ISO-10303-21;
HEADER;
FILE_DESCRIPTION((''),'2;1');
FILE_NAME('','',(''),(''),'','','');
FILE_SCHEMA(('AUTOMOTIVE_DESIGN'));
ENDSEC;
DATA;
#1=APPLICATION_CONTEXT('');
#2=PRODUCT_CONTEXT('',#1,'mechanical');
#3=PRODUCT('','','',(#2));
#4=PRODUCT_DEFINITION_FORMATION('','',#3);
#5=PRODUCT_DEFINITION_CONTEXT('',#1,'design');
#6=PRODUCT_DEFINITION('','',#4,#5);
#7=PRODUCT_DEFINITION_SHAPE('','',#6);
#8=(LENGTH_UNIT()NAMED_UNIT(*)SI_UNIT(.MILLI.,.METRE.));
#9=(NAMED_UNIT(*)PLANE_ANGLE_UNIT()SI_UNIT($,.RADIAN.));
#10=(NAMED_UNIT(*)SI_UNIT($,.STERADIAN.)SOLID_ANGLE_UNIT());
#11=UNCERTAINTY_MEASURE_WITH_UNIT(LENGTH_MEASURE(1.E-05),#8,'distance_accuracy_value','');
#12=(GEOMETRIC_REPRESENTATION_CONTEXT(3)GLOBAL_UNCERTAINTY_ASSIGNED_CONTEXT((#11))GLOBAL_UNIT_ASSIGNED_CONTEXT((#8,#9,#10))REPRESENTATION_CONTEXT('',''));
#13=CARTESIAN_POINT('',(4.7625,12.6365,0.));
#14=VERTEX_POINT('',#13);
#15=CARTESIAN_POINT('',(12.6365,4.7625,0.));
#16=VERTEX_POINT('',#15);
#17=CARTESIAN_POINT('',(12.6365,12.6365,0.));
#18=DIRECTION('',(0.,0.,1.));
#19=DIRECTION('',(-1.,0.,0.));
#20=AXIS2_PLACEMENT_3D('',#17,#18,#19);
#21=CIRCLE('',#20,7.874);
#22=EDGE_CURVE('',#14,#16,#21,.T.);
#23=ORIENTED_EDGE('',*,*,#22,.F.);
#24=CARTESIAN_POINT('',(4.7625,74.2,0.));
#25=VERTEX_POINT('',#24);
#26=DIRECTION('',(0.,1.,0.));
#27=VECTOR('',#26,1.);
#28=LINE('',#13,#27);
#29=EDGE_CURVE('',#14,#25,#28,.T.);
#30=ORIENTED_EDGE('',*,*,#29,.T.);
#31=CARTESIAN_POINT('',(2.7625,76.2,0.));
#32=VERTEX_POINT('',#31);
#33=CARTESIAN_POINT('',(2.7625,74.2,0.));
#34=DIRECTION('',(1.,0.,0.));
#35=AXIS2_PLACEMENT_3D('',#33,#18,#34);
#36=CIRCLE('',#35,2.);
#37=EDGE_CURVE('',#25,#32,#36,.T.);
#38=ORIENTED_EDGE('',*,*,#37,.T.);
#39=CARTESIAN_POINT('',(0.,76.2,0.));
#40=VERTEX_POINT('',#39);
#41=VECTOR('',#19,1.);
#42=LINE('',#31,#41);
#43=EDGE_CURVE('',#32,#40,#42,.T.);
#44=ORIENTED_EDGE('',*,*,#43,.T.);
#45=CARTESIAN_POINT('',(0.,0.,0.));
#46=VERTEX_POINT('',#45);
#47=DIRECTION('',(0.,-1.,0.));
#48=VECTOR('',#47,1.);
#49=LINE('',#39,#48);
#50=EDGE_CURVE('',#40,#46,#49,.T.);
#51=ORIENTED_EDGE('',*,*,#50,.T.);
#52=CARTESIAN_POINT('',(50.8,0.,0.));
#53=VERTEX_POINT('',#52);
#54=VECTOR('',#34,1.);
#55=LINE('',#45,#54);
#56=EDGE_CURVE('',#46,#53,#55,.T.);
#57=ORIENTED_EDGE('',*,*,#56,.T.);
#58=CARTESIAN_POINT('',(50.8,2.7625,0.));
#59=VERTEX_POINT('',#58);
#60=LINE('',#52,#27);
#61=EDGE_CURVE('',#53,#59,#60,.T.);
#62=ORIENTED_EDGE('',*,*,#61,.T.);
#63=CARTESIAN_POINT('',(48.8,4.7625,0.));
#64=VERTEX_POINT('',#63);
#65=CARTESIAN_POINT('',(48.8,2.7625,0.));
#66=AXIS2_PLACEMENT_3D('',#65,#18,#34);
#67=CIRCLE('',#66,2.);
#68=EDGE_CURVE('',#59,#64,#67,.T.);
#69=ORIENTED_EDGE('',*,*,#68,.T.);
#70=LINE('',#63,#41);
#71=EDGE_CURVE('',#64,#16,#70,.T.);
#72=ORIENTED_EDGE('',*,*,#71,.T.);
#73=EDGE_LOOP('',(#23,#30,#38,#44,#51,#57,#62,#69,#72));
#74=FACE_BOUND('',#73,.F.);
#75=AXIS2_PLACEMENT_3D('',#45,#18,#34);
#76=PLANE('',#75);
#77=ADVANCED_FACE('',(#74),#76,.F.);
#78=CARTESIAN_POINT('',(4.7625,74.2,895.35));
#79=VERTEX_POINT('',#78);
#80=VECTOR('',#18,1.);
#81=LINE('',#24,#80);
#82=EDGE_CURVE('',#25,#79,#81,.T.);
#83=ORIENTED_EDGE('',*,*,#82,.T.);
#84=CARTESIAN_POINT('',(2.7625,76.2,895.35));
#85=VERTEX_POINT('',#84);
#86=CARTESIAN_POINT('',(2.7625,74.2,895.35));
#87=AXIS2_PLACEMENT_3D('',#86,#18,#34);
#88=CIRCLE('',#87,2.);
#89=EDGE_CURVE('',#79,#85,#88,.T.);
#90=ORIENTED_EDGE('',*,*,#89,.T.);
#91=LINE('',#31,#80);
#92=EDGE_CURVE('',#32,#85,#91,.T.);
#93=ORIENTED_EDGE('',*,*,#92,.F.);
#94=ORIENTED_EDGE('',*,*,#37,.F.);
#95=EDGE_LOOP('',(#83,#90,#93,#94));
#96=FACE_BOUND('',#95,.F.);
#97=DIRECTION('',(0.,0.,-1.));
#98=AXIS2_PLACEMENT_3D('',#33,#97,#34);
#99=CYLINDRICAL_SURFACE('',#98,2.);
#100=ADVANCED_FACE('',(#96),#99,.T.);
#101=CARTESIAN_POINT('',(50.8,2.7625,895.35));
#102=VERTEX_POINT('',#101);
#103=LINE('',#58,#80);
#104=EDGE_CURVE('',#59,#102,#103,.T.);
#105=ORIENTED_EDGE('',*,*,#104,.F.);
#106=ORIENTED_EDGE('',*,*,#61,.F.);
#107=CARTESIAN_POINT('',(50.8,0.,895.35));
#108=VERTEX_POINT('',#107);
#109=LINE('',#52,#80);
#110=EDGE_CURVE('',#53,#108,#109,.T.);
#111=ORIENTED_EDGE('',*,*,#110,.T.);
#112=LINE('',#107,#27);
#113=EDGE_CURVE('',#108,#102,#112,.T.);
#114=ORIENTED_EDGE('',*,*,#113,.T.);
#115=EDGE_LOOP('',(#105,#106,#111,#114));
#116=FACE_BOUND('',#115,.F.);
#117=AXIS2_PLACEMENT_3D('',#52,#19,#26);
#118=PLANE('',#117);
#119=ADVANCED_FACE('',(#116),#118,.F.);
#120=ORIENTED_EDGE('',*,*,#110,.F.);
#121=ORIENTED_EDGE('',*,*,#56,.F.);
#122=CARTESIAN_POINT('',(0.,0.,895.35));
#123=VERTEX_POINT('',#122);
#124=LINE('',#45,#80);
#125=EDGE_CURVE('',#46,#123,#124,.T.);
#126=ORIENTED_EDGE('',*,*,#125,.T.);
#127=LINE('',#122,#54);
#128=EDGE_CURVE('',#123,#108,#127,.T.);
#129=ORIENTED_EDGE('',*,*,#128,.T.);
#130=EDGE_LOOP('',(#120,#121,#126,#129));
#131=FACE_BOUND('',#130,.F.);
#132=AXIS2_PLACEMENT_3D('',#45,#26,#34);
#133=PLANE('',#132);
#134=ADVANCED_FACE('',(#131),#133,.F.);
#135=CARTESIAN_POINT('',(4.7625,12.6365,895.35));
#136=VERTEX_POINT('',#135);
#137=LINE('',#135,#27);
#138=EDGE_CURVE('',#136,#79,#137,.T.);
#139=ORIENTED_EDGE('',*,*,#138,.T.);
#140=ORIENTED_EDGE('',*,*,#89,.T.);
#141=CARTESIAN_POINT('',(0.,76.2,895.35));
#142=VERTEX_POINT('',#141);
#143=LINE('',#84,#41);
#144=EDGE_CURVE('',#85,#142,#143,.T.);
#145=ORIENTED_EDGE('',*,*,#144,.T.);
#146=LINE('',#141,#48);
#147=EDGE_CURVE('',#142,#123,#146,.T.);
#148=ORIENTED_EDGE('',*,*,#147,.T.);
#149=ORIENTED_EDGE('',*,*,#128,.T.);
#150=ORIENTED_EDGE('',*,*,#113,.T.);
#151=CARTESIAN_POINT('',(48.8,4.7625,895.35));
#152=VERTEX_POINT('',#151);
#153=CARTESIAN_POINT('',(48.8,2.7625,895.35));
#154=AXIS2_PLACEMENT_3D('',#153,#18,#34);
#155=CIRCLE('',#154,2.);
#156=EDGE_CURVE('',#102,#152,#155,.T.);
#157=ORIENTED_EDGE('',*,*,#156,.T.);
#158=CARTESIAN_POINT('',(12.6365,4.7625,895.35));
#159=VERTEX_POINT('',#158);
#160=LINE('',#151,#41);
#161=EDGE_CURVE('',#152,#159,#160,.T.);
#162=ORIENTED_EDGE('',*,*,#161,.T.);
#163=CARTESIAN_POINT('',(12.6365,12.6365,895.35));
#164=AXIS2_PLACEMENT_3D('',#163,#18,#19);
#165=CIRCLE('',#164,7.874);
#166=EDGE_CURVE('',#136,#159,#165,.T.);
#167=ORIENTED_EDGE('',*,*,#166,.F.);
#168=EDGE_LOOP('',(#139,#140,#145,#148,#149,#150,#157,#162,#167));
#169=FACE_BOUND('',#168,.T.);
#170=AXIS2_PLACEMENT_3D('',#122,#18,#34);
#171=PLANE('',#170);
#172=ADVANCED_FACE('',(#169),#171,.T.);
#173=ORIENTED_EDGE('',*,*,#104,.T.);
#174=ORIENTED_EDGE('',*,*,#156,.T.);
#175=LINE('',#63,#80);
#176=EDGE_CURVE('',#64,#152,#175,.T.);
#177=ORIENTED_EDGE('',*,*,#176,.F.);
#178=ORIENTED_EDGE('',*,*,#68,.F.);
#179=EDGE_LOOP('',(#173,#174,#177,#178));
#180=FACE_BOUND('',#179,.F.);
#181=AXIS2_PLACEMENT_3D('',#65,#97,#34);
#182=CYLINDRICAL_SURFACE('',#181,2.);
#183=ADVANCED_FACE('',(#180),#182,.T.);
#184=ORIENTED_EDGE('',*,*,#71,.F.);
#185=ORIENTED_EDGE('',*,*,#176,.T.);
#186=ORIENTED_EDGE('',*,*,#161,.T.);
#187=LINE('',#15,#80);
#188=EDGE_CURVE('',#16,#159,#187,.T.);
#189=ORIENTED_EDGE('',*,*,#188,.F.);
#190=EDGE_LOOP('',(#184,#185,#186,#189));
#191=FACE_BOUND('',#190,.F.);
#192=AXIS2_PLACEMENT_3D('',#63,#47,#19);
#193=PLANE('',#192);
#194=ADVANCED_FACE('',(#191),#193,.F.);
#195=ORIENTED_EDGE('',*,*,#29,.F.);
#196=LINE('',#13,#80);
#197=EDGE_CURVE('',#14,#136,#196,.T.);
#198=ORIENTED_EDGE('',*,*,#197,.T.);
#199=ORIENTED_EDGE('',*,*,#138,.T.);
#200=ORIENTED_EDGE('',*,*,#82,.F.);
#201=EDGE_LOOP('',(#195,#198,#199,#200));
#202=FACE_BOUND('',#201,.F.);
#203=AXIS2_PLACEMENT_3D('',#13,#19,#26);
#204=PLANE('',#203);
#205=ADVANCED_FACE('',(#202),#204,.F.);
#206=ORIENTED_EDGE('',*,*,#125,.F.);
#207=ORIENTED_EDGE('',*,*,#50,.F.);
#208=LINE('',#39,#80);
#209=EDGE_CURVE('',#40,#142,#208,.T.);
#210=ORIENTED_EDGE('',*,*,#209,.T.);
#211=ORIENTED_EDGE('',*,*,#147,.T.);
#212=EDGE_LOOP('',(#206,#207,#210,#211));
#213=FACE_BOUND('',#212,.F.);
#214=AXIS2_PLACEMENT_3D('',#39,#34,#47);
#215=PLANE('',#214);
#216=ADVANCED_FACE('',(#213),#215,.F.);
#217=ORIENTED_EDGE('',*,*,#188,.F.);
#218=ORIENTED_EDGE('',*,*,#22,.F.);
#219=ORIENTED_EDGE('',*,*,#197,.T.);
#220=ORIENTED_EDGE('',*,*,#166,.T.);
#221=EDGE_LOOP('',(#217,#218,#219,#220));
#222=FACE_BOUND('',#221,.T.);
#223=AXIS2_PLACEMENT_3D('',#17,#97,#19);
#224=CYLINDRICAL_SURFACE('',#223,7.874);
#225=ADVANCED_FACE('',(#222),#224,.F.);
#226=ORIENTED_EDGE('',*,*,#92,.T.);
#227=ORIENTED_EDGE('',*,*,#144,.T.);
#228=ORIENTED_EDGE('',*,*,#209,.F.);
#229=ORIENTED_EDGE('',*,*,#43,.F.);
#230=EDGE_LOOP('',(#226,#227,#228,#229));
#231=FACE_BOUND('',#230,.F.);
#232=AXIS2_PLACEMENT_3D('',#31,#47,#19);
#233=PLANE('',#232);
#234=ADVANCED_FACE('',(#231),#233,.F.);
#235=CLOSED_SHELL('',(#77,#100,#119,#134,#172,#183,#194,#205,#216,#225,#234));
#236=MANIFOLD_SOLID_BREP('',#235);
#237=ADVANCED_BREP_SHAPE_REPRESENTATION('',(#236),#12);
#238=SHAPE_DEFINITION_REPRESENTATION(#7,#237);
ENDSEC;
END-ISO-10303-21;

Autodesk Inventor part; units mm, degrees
ref_plane "Start plane" through (0, 0, 0) normal (0, 0, 1) x (1, 0, 0)
ref_plane "End plane" through (0, 0, 895.35) normal (0, 0, 1) x (1, 0, 0)
sketch "Sketch" plane through (0, 0, 0) normal (0, 0, 1) x (1, 0, 0)
  line L0 (0, 76.2) -> (0, 0)
  line L1 (0, 0) -> (50.8, 0)
  line L2 (50.8, 0) -> (50.8, 2.7625)
  line L3 (48.8, 4.7625) -> (12.6365, 4.7625)
  line L4 (4.7625, 12.6365) -> (4.7625, 74.2)
  line L5 (2.7625, 76.2) -> (0, 76.2)
  line L6 (-7.0414, 0) -> (21.5385, 0) construction
  line L7 (0, -8.0414) -> (0, 34.5385) construction
  arc A0 (4.7625, 12.6365) -> (12.6365, 4.7625) centre (12.6365, 12.6365) ccw
  arc A1 (50.8, 2.7625) -> (48.8, 4.7625) centre (48.8, 2.7625) ccw
  arc A2 (4.7625, 74.2) -> (2.7625, 76.2) centre (2.7625, 74.2) ccw
  line L8 (0, 93.5453) -> (0, -24.9725) construction
  line L9 (-18.6925, 0) -> (62.8653, 0) construction
  point P0 (50.8, 4.7625)
  point P1 (4.7625, 4.7625)
  point P2 (4.7625, 76.2)
  dimension "d12" = 4.7625
  dimension "d13" = 76.2
  dimension "d14" = 50.8
  dimension "d15" = 0
  dimension "d16" = 4.7625
  dimension "d17" = 0
  dimension "d18" = 7.874
  dimension "d19" = 2
extrude "Body" add sketch "Sketch" along normal up to surface (895.35 mm away) from surface at 0
ref_plane "Work Plane3" through (0, 2.7625, 895.35) normal (0, 0, 1) x (1, 0, 0)
split "Split1" plane through (0, 2.7625, 895.35) removes the side toward (0, 0, 1)
equation "\"d12\" = G_T"
equation "\"d13\" = G_H"
equation "\"d14\" = G_W"
equation "\"d16\" = G_T"
equation "\"d18\" = G_IR"
equation "\"d4\" = G_L"
equation "\"G_W\" = 50.8"
equation "\"G_H\" = 76.2"
equation "\"G_T\" = 4.7625"
equation "\"G_ER\" = 4.064"
equation "\"G_IR\" = 7.874"
equation "\"G_L\" = B_L + G_OFFSET_START + G_OFFSET_END"
equation "\"ex\" = 0"
equation "\"ey\" = 0"
equation "\"G_OFFSET_START\" = 0"
equation "\"G_OFFSET_END\" = 50.8"
equation "\"d21\" = G_OFFSET_END + B_L"
equation "\"B_L\" = 844.55"
properties part number "ANSI L 3 x 2 x 3_16 00000007"
